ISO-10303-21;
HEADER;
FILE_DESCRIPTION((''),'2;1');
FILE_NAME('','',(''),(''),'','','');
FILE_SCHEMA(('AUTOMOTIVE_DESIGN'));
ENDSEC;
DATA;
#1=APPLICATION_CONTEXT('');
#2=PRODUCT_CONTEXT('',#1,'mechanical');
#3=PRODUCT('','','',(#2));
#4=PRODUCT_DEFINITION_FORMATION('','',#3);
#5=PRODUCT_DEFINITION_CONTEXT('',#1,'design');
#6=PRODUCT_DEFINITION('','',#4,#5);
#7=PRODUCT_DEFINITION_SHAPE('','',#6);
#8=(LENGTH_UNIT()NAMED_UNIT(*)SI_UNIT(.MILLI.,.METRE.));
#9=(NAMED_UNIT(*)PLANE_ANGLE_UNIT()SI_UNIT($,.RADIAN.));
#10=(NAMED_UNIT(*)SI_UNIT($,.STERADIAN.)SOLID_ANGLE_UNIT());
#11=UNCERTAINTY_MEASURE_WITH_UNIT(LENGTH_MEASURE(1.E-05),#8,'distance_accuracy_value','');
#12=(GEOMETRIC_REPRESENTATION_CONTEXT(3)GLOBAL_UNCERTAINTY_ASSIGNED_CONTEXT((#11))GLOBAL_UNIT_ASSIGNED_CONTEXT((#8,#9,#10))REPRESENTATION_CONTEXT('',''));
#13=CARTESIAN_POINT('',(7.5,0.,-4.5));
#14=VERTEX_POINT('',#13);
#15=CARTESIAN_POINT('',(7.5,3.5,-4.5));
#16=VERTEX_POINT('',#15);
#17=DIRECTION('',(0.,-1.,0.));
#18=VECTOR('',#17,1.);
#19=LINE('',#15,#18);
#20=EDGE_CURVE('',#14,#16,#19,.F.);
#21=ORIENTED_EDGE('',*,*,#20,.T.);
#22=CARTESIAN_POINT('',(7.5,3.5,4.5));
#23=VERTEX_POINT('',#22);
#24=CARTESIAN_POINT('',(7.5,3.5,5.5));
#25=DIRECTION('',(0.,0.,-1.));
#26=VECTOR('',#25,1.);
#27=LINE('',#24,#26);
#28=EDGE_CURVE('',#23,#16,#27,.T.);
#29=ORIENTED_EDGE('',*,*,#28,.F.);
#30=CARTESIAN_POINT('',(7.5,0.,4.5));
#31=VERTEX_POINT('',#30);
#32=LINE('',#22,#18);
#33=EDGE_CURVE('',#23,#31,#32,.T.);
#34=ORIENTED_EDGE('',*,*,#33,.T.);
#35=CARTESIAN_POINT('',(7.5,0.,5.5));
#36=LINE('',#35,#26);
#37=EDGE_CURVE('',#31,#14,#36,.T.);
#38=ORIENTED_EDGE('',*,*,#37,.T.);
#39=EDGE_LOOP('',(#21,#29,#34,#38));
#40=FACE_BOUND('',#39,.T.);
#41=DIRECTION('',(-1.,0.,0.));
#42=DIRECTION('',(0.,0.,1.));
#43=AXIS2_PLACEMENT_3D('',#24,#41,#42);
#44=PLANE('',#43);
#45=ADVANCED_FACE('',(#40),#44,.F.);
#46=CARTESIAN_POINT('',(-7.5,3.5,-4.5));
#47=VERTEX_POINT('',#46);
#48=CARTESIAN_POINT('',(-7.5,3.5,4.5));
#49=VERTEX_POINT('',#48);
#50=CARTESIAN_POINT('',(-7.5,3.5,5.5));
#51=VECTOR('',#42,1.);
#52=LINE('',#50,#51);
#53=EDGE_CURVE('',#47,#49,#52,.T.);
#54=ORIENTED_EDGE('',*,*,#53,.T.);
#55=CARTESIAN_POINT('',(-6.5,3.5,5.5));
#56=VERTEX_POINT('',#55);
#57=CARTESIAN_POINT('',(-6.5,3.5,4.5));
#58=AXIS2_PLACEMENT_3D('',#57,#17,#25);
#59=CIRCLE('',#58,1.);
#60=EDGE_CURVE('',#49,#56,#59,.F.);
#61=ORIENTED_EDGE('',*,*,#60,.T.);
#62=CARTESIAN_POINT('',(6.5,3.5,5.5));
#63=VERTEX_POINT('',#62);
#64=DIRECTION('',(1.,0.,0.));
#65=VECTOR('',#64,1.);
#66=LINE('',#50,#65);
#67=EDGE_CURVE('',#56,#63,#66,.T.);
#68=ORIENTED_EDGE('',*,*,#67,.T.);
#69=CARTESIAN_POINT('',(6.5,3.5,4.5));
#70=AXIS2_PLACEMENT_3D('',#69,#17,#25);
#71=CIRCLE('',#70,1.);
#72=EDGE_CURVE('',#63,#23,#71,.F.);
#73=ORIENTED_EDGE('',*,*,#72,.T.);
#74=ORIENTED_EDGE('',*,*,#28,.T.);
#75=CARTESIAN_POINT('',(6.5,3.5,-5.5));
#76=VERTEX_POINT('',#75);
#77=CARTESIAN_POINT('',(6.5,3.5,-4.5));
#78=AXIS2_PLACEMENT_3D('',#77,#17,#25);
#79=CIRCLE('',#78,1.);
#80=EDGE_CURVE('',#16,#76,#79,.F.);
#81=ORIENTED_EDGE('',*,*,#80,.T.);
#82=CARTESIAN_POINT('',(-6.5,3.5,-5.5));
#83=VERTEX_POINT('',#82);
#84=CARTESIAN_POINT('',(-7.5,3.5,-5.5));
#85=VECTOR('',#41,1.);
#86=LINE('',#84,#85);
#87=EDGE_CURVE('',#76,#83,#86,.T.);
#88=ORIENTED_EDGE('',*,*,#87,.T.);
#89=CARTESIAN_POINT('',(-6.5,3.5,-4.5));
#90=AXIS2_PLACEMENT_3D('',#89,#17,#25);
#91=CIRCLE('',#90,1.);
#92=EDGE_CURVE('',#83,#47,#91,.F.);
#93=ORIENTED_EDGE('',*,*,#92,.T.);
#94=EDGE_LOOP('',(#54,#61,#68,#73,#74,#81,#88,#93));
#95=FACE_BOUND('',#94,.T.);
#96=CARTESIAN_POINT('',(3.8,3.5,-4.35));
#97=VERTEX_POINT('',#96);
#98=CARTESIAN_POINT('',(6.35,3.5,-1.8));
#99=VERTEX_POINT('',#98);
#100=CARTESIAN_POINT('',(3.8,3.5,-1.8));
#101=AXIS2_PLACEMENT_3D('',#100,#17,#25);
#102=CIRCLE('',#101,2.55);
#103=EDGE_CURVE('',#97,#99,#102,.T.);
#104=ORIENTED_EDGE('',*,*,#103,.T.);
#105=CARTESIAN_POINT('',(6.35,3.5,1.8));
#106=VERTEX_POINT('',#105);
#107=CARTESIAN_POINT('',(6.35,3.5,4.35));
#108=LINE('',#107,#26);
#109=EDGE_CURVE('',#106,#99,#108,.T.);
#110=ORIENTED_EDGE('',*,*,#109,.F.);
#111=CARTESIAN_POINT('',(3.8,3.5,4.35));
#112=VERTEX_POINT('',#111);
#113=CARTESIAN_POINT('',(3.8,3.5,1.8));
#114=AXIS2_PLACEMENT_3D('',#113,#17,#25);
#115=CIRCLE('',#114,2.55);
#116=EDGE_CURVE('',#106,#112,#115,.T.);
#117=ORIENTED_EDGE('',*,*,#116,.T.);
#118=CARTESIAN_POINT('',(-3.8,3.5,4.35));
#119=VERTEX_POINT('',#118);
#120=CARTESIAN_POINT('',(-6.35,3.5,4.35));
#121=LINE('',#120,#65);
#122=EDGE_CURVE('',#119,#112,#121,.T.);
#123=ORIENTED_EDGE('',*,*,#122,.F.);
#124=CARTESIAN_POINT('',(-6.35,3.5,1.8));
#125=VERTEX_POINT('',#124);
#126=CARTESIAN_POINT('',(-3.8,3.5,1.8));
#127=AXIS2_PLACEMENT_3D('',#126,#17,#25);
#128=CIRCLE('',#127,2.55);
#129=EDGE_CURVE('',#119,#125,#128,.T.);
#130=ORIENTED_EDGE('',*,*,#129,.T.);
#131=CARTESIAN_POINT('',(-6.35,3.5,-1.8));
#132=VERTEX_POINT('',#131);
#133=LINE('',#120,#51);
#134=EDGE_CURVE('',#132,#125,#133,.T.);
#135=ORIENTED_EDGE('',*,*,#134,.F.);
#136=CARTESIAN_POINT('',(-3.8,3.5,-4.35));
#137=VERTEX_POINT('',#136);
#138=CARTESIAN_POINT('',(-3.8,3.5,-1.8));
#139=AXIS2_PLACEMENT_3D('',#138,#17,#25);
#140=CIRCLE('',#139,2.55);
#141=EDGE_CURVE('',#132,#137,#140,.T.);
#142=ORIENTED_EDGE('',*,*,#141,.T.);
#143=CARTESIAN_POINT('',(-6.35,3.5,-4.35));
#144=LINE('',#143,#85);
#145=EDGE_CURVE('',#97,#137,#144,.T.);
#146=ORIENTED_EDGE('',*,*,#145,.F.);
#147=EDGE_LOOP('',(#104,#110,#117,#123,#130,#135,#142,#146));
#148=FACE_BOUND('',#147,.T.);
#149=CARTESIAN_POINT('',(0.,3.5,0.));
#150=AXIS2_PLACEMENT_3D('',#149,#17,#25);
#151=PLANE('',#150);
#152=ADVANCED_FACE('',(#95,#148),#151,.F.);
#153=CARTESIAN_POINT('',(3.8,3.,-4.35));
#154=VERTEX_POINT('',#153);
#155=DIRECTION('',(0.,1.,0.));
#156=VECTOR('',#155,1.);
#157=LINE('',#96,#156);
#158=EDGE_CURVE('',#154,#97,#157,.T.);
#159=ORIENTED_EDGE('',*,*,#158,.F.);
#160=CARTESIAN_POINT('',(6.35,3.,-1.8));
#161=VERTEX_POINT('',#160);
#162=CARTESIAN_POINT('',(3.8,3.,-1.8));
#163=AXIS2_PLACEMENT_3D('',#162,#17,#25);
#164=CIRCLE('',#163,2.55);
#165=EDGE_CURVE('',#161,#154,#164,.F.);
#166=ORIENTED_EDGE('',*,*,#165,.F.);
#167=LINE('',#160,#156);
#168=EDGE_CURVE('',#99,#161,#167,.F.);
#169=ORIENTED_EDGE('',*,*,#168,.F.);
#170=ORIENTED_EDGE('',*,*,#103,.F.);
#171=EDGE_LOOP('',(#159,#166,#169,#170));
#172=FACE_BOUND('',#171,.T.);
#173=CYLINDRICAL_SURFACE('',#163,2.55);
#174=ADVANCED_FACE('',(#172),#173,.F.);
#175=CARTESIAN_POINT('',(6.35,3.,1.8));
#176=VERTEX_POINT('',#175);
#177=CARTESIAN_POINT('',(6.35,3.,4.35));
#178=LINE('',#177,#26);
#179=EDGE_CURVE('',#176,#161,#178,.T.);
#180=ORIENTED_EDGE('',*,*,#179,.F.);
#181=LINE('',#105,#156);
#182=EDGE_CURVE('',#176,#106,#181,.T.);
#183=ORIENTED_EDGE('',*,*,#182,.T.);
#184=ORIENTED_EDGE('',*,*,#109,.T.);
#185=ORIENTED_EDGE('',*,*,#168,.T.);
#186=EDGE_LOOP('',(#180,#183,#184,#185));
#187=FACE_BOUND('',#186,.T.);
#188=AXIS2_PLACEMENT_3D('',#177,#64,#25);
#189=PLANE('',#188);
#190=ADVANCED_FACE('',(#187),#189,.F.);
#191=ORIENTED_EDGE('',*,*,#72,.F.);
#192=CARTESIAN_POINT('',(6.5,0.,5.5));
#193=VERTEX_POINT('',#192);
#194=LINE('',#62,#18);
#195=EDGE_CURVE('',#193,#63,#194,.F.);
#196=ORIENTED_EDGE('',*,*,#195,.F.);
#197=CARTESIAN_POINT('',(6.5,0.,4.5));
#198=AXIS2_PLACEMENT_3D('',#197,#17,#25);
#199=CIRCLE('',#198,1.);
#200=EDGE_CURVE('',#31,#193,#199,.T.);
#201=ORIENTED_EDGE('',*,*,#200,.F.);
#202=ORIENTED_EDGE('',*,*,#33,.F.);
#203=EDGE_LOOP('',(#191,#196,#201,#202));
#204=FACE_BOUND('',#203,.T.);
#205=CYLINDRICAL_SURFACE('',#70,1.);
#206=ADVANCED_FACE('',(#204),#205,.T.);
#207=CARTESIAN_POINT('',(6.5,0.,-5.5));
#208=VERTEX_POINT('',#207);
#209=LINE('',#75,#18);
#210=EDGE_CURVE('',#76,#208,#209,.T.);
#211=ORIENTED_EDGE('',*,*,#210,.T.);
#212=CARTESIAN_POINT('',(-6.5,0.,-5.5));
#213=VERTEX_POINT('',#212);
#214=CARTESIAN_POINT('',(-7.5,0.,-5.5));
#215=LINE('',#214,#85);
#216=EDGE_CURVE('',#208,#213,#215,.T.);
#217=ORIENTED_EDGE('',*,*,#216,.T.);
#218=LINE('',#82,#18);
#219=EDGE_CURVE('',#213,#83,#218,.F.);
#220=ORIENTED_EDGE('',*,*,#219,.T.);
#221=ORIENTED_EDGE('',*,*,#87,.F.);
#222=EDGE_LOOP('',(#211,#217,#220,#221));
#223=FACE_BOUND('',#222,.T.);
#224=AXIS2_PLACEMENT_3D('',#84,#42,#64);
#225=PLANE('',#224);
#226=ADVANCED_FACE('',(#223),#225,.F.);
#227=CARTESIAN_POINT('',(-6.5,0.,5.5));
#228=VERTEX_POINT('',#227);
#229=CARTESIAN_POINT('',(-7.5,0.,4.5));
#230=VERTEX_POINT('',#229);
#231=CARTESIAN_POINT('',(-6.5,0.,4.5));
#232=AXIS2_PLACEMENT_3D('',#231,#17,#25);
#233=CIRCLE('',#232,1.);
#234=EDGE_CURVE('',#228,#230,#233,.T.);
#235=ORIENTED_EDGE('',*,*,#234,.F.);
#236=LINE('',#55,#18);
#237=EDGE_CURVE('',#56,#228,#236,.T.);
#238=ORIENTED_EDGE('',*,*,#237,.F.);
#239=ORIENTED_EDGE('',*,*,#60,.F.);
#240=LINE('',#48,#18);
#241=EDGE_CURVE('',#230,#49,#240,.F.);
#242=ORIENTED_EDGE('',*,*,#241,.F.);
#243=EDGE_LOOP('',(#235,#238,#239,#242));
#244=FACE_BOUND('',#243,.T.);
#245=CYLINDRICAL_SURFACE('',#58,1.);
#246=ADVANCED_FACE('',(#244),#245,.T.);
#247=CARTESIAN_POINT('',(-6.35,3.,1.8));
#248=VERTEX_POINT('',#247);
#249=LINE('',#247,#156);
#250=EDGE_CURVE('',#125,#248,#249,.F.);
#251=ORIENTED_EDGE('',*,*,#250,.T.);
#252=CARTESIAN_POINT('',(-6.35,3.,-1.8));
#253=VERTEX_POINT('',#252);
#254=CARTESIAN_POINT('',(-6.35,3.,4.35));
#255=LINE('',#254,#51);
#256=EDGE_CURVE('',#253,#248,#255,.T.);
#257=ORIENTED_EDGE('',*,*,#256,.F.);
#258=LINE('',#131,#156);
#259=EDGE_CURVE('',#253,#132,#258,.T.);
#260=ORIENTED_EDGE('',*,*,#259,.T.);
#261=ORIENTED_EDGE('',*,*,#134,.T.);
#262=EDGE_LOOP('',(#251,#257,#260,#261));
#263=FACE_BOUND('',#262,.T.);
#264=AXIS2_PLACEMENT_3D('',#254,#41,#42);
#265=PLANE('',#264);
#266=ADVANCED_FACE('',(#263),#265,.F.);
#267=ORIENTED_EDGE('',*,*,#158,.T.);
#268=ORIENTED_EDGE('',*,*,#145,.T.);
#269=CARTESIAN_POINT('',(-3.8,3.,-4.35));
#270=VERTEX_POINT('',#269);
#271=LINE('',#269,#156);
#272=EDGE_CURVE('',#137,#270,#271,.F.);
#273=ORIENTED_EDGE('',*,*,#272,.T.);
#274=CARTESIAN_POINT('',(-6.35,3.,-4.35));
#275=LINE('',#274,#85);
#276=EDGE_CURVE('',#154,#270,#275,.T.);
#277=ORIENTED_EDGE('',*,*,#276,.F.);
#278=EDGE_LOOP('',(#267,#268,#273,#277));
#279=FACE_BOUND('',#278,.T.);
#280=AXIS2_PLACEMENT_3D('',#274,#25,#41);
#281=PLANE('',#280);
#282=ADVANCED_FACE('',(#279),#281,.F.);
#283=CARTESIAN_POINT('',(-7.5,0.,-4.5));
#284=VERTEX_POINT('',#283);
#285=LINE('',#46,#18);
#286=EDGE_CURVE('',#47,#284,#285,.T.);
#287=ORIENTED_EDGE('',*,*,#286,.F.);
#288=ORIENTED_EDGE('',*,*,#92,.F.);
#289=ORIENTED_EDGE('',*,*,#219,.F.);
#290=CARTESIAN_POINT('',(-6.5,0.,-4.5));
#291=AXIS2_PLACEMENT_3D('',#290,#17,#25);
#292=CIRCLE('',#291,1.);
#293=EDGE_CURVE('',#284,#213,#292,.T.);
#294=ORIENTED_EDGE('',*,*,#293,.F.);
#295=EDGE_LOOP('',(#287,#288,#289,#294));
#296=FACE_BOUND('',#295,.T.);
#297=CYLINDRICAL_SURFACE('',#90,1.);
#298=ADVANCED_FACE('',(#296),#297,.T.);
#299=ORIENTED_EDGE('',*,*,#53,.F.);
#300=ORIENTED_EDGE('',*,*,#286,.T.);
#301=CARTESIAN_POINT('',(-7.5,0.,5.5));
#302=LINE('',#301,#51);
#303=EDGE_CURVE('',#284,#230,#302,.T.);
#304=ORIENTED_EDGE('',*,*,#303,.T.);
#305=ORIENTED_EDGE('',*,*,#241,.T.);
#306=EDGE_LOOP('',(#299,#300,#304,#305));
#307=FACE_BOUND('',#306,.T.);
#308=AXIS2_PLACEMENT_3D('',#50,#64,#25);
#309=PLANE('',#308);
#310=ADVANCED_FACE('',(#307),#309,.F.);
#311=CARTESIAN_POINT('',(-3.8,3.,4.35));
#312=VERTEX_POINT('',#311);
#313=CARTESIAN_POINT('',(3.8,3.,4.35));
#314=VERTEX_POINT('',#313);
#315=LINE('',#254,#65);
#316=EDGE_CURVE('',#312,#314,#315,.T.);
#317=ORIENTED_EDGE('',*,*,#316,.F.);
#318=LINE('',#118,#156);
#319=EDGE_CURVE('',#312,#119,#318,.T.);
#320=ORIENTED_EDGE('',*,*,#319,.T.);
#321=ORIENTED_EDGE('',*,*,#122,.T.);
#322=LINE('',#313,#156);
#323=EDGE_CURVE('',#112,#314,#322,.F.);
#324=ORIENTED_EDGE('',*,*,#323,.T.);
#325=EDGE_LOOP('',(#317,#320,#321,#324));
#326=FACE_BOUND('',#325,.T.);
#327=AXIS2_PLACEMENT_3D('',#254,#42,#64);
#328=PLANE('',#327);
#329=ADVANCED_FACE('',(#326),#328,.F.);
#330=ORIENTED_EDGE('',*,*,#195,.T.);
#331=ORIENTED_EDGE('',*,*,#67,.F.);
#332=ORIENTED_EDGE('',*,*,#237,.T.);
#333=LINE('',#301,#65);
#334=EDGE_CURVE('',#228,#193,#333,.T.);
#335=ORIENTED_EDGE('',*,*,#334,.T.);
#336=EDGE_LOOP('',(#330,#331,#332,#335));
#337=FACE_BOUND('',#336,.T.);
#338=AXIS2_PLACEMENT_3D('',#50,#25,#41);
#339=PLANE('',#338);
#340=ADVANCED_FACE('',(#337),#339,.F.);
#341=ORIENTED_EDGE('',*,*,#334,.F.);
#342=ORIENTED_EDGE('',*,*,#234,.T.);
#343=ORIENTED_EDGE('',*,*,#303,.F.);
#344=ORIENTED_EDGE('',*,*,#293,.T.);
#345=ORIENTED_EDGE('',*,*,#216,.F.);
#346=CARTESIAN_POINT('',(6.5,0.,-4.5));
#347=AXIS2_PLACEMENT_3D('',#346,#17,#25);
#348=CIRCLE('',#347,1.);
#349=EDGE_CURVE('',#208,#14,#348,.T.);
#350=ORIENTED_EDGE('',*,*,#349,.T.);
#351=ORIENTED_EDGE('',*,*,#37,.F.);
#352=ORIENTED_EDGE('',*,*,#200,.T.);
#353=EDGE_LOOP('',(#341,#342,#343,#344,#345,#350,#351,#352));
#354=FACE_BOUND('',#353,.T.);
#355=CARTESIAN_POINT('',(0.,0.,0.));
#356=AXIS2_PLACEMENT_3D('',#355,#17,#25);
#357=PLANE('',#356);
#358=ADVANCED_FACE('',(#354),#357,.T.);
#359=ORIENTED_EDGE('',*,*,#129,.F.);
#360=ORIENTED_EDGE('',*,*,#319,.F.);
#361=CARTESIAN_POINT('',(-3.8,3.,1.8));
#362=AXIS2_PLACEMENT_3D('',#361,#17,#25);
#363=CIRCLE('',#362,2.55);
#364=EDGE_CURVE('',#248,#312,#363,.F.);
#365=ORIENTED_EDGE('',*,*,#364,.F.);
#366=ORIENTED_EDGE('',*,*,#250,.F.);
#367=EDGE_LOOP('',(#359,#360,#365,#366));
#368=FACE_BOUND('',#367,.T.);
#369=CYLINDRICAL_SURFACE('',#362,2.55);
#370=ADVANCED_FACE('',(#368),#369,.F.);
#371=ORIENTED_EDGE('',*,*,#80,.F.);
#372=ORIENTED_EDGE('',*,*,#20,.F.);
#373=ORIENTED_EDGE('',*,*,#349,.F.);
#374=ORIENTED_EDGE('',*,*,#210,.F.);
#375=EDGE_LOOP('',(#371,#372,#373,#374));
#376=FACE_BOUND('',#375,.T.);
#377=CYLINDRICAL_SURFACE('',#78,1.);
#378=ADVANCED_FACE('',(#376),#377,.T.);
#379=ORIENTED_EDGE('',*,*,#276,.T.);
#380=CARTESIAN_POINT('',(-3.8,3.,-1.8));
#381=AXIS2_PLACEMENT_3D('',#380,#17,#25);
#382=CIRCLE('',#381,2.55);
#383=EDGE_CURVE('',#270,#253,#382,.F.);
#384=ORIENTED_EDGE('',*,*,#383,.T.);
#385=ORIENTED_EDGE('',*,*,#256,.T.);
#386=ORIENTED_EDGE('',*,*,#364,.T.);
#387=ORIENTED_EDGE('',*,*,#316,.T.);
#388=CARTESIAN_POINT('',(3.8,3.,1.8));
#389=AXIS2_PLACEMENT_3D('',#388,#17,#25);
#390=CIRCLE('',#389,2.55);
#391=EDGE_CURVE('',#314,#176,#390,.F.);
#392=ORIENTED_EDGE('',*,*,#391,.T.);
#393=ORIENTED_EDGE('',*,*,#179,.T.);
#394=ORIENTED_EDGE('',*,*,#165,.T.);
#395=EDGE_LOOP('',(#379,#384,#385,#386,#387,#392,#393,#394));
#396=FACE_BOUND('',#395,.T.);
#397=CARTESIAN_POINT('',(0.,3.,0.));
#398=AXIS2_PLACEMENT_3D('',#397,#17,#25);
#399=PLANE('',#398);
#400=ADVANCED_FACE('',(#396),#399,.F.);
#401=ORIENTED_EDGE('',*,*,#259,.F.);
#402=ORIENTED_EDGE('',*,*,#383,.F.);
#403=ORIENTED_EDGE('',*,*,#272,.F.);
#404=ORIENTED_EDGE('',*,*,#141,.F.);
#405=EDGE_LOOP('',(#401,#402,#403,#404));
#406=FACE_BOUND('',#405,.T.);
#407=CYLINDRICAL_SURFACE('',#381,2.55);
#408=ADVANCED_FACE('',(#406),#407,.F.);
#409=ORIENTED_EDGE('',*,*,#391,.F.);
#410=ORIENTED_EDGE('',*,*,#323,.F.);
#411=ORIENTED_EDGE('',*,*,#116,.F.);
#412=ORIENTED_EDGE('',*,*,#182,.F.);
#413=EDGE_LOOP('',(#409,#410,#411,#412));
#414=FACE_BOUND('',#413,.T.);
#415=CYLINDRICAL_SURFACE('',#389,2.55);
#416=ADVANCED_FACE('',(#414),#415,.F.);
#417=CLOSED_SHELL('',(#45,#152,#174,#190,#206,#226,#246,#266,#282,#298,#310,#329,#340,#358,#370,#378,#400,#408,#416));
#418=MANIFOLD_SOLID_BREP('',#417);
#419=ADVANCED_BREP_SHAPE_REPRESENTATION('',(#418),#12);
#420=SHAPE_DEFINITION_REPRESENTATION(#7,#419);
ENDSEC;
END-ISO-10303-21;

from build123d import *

# Parameters (mm, degrees)
SKETCH1_W           = 15
SKETCH1_H           = 11
BOSS_EXTRUDE1_DEPTH = 3.5
FILLET1_R           = 1
SKETCH2_W           = 12.7
SKETCH2_H           = 8.7
CUT_EXTRUDE1_DEPTH  = 0.5
FILLET2_R           = 2.55


with BuildPart() as part:
    # Sketch1 → Boss-Extrude1 (new body)
    with BuildSketch(Plane(origin=(0, 0, 0), x_dir=(1, 0, 0), z_dir=(0, 1, 0))):
        Rectangle(SKETCH1_W, SKETCH1_H)
    extrude(amount=BOSS_EXTRUDE1_DEPTH)

    # Fillet1
    fillet1_edges = [part.edges().sort_by_distance(p)[0] for p in [
        (7.5, 1.75, 5.5),
        (-7.5, 1.75, 5.5),
        (-7.5, 1.75, -5.5),
        (7.5, 1.75, -5.5),
    ]]
    fillet(fillet1_edges, radius=FILLET1_R)

    # Sketch2 → Cut-Extrude1 (cut)
    with BuildSketch(Plane(origin=(0, 3.5, 0), x_dir=(1, 0, 0), z_dir=(0, 1, 0))):
        Rectangle(SKETCH2_W, SKETCH2_H)
    extrude(amount=-CUT_EXTRUDE1_DEPTH, mode=Mode.SUBTRACT)

    # Fillet2
    fillet2_edges = [part.edges().sort_by_distance(p)[0] for p in [
        (6.35, 3.25, -4.35),
        (6.35, 3.25, 4.35),
        (-6.35, 3.25, 4.35),
        (-6.35, 3.25, -4.35),
    ]]
    fillet(fillet2_edges, radius=FILLET2_R)


solid = part.part
